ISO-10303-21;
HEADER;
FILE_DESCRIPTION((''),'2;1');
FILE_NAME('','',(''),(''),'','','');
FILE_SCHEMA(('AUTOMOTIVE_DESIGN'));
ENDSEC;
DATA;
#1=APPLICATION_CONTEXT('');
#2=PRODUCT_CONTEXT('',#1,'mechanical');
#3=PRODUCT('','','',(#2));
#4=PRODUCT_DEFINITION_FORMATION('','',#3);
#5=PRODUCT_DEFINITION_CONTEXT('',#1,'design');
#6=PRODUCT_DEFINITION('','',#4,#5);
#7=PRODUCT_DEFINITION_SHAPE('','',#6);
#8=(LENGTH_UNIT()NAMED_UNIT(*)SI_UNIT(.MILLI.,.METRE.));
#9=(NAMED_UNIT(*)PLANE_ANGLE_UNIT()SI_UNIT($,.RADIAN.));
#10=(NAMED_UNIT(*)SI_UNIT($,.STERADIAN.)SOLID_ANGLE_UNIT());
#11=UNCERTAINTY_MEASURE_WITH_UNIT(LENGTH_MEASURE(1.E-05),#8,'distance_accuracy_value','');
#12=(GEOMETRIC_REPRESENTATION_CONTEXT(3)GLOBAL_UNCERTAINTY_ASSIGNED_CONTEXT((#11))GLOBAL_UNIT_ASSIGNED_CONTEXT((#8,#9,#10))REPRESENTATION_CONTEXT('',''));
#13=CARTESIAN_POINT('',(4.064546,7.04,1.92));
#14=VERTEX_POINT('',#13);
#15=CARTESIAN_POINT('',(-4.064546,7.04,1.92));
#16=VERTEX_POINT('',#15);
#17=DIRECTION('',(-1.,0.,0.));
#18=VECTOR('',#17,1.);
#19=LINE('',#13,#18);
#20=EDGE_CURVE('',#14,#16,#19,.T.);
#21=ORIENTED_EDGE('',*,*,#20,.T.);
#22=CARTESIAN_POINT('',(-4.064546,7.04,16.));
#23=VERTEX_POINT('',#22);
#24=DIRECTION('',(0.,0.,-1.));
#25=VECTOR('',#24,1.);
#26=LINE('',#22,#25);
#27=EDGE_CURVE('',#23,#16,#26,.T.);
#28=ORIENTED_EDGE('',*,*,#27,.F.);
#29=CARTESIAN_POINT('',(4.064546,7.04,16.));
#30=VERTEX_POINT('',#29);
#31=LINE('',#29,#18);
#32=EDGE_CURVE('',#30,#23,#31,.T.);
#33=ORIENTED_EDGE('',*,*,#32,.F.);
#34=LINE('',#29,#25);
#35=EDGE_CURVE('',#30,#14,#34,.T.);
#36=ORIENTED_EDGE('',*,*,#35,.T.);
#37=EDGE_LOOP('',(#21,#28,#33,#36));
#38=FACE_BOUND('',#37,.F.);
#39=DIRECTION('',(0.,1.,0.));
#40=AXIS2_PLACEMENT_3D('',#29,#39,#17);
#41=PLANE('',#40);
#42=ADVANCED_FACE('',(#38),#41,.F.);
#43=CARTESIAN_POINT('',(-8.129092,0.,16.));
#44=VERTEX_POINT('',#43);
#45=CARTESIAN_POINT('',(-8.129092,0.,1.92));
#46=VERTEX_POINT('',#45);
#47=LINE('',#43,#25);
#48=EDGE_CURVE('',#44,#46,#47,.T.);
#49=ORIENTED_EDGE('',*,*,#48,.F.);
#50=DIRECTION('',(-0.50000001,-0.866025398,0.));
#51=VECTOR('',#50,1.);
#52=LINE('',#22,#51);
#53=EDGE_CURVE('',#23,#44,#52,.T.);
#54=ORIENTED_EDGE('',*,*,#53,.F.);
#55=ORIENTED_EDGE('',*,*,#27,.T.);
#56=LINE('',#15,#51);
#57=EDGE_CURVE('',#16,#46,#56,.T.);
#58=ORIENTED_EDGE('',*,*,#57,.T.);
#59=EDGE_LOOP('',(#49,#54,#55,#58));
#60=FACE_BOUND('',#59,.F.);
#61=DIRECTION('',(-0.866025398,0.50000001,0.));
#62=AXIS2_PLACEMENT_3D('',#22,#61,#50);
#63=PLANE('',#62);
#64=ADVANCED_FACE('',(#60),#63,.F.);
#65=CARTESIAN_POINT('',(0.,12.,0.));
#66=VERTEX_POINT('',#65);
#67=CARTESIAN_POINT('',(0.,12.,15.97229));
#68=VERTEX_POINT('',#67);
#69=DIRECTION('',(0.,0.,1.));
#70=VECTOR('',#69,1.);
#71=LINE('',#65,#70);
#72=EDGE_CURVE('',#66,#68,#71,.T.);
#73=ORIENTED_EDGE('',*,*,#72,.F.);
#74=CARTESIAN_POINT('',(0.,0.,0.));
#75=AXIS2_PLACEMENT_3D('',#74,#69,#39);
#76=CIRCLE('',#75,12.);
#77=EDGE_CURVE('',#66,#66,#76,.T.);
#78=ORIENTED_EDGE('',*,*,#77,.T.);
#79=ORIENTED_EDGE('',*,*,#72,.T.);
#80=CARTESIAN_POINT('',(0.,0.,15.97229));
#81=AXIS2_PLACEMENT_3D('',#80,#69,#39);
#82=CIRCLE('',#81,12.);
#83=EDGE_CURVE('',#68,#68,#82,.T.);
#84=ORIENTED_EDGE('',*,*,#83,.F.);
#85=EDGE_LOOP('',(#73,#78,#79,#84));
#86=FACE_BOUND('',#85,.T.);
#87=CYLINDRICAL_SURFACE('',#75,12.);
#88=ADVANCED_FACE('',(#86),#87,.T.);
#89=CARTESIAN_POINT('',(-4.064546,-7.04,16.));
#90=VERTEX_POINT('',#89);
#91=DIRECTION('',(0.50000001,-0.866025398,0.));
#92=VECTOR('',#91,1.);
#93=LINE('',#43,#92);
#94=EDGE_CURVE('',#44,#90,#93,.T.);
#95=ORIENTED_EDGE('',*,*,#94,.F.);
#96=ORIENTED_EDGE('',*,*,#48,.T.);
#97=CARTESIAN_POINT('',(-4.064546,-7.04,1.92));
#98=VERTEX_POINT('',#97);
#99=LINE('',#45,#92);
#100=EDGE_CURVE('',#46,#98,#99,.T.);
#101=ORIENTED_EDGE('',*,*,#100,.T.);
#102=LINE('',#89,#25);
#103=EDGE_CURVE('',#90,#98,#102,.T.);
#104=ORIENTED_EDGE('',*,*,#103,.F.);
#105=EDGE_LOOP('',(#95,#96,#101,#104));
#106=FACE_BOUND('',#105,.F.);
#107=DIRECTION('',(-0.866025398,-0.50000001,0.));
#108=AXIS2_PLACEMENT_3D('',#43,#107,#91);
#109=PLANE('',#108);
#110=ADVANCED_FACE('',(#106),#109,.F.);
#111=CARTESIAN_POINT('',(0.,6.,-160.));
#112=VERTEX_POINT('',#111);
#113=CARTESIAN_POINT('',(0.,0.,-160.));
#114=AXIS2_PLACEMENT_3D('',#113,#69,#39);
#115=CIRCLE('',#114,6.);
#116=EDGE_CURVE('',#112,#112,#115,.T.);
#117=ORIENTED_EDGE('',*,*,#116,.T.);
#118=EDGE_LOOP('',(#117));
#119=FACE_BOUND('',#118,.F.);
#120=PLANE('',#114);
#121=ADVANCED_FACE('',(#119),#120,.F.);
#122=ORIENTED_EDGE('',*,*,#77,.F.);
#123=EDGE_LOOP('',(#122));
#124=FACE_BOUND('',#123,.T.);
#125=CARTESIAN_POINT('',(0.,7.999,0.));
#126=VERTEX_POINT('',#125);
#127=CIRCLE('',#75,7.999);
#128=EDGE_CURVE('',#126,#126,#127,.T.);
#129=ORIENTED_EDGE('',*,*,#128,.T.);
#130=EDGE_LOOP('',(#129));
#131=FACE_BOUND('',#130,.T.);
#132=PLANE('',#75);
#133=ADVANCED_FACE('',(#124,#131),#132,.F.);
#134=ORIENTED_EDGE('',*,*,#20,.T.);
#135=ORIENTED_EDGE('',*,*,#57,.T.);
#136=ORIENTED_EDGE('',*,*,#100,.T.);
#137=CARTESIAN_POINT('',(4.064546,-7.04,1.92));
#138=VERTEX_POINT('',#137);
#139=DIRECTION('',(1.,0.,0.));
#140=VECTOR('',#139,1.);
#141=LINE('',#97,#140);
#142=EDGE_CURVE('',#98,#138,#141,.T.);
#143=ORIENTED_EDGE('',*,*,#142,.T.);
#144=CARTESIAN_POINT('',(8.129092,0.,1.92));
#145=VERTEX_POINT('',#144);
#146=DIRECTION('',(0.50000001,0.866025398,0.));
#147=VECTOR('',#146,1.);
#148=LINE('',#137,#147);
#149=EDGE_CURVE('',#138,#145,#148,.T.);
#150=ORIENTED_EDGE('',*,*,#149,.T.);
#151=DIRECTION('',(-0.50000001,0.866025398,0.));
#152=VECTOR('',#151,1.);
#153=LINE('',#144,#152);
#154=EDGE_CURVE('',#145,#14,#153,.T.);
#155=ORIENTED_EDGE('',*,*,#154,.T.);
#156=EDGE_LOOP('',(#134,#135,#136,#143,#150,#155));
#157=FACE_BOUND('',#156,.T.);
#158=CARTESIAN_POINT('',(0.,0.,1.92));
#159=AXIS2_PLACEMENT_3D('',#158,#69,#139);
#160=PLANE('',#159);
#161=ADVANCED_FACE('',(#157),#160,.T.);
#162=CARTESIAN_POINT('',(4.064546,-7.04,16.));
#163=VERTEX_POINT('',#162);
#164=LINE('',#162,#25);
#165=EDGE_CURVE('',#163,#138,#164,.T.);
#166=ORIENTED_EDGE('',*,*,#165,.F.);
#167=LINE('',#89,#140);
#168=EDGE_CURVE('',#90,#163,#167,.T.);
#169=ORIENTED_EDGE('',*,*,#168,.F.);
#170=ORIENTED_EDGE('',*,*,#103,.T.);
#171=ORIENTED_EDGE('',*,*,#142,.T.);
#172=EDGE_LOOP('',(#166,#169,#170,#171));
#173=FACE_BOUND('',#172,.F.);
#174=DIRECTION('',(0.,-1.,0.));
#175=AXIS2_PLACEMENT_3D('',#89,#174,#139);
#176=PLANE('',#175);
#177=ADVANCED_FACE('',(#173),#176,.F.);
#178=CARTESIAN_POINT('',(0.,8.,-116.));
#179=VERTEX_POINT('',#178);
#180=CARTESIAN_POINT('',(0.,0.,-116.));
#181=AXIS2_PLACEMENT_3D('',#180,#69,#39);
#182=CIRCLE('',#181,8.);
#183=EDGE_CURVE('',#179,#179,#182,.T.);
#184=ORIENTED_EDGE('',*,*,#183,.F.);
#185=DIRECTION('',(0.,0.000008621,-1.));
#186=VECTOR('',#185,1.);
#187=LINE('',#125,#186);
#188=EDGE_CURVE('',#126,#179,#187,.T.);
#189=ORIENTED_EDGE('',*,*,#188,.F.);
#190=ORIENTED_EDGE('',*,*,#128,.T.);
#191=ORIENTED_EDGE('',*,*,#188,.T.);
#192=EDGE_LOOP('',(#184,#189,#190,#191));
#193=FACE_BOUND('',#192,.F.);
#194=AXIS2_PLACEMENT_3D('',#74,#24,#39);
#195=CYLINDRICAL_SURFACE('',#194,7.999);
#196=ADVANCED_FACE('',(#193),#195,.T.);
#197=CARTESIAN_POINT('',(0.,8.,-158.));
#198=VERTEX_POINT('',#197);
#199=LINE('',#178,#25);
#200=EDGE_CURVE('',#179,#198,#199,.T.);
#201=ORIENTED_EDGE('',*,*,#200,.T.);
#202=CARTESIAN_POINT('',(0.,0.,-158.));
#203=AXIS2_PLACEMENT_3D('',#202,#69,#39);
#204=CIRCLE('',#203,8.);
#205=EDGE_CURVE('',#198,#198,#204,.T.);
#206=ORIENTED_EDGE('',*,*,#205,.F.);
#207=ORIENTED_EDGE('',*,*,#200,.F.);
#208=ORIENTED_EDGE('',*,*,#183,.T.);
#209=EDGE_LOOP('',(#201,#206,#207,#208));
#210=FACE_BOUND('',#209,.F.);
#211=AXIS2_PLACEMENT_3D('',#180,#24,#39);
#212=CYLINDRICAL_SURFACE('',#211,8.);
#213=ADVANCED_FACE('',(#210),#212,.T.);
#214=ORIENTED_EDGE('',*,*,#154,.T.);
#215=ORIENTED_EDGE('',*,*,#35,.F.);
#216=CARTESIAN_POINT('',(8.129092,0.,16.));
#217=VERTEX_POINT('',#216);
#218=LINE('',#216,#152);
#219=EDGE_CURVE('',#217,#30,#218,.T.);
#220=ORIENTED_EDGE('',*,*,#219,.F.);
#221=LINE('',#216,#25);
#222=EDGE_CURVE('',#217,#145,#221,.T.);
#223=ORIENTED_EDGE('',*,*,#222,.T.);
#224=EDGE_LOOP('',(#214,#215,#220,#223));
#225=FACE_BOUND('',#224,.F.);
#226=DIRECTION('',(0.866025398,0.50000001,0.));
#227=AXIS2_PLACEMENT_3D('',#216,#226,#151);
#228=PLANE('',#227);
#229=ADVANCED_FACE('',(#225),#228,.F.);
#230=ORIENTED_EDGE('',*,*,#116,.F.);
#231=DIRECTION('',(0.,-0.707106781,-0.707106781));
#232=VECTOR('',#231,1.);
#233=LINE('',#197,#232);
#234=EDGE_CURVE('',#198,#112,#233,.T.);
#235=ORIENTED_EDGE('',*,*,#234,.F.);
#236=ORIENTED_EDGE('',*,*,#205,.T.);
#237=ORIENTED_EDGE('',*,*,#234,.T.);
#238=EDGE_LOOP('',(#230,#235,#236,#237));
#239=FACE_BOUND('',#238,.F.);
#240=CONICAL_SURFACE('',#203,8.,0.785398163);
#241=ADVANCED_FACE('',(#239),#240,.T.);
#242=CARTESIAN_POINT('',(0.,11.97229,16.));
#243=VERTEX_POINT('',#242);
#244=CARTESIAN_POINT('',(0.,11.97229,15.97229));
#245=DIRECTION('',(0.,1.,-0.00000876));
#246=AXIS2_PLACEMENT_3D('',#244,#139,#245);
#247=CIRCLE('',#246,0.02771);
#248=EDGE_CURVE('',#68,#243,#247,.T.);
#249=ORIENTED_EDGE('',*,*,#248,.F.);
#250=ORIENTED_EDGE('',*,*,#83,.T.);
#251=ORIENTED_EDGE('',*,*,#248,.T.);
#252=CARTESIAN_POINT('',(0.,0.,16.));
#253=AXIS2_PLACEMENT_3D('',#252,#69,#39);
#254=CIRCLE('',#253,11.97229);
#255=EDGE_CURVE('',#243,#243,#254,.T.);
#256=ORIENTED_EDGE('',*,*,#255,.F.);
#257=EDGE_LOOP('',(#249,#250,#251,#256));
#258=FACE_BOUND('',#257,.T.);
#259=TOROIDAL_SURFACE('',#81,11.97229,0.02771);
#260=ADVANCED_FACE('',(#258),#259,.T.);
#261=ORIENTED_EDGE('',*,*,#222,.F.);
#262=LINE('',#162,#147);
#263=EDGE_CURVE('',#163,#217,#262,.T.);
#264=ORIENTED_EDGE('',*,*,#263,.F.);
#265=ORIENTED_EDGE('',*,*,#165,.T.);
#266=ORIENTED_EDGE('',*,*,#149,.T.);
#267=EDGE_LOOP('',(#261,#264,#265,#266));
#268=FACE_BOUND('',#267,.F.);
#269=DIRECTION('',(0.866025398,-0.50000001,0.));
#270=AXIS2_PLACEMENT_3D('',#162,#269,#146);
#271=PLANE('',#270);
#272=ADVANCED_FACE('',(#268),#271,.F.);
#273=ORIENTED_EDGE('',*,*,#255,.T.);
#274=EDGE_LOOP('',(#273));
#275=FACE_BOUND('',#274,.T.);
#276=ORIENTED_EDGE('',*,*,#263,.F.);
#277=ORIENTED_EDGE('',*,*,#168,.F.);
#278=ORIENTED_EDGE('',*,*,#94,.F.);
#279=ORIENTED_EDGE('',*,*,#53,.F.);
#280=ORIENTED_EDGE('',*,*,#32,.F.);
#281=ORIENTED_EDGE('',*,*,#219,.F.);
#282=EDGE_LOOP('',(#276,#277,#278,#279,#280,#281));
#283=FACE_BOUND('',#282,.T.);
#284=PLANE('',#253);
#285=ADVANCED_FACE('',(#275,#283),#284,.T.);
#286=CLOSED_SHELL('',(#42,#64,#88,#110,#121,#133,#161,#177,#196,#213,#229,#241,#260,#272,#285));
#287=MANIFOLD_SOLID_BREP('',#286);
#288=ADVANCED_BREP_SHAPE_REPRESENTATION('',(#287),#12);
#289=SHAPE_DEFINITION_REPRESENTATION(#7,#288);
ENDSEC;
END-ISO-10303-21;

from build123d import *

# Parameters (mm, degrees)
POCKET_DEPTH = 14.08


with BuildPart() as part:
    # Sketch → Revolve (revolve)
    with BuildSketch(Plane.YZ):
        with BuildLine():
            Line((7.999, 0), (12, 0))
            Line((12, 0), (12, 15.97229))
            ThreePointArc((12, 15.97229), (11.991884, 15.991884), (11.97229, 16))
            Line((11.97229, 16), (0, 16))
            Line((0, -160), (0, 16))
            Line((6, -160), (0, -160))
            Line((8, -158), (6, -160))
            Line((8, -116), (8, -158))
            Line((7.999, 0), (8, -116))
        make_face()
    revolve(axis=Axis((0, 0, 0), (0, 0, 1)))

    # Sketch001 → Pocket (cut)
    with BuildSketch(Plane.XY.offset(16)):
        Polygon((8.129092, 0), (4.064546, 7.04), (-4.064546, 7.04), (-8.129092, 0), (-4.064546, -7.04), (4.064546, -7.04), align=None)
    extrude(amount=-POCKET_DEPTH, mode=Mode.SUBTRACT)


solid = part.part
